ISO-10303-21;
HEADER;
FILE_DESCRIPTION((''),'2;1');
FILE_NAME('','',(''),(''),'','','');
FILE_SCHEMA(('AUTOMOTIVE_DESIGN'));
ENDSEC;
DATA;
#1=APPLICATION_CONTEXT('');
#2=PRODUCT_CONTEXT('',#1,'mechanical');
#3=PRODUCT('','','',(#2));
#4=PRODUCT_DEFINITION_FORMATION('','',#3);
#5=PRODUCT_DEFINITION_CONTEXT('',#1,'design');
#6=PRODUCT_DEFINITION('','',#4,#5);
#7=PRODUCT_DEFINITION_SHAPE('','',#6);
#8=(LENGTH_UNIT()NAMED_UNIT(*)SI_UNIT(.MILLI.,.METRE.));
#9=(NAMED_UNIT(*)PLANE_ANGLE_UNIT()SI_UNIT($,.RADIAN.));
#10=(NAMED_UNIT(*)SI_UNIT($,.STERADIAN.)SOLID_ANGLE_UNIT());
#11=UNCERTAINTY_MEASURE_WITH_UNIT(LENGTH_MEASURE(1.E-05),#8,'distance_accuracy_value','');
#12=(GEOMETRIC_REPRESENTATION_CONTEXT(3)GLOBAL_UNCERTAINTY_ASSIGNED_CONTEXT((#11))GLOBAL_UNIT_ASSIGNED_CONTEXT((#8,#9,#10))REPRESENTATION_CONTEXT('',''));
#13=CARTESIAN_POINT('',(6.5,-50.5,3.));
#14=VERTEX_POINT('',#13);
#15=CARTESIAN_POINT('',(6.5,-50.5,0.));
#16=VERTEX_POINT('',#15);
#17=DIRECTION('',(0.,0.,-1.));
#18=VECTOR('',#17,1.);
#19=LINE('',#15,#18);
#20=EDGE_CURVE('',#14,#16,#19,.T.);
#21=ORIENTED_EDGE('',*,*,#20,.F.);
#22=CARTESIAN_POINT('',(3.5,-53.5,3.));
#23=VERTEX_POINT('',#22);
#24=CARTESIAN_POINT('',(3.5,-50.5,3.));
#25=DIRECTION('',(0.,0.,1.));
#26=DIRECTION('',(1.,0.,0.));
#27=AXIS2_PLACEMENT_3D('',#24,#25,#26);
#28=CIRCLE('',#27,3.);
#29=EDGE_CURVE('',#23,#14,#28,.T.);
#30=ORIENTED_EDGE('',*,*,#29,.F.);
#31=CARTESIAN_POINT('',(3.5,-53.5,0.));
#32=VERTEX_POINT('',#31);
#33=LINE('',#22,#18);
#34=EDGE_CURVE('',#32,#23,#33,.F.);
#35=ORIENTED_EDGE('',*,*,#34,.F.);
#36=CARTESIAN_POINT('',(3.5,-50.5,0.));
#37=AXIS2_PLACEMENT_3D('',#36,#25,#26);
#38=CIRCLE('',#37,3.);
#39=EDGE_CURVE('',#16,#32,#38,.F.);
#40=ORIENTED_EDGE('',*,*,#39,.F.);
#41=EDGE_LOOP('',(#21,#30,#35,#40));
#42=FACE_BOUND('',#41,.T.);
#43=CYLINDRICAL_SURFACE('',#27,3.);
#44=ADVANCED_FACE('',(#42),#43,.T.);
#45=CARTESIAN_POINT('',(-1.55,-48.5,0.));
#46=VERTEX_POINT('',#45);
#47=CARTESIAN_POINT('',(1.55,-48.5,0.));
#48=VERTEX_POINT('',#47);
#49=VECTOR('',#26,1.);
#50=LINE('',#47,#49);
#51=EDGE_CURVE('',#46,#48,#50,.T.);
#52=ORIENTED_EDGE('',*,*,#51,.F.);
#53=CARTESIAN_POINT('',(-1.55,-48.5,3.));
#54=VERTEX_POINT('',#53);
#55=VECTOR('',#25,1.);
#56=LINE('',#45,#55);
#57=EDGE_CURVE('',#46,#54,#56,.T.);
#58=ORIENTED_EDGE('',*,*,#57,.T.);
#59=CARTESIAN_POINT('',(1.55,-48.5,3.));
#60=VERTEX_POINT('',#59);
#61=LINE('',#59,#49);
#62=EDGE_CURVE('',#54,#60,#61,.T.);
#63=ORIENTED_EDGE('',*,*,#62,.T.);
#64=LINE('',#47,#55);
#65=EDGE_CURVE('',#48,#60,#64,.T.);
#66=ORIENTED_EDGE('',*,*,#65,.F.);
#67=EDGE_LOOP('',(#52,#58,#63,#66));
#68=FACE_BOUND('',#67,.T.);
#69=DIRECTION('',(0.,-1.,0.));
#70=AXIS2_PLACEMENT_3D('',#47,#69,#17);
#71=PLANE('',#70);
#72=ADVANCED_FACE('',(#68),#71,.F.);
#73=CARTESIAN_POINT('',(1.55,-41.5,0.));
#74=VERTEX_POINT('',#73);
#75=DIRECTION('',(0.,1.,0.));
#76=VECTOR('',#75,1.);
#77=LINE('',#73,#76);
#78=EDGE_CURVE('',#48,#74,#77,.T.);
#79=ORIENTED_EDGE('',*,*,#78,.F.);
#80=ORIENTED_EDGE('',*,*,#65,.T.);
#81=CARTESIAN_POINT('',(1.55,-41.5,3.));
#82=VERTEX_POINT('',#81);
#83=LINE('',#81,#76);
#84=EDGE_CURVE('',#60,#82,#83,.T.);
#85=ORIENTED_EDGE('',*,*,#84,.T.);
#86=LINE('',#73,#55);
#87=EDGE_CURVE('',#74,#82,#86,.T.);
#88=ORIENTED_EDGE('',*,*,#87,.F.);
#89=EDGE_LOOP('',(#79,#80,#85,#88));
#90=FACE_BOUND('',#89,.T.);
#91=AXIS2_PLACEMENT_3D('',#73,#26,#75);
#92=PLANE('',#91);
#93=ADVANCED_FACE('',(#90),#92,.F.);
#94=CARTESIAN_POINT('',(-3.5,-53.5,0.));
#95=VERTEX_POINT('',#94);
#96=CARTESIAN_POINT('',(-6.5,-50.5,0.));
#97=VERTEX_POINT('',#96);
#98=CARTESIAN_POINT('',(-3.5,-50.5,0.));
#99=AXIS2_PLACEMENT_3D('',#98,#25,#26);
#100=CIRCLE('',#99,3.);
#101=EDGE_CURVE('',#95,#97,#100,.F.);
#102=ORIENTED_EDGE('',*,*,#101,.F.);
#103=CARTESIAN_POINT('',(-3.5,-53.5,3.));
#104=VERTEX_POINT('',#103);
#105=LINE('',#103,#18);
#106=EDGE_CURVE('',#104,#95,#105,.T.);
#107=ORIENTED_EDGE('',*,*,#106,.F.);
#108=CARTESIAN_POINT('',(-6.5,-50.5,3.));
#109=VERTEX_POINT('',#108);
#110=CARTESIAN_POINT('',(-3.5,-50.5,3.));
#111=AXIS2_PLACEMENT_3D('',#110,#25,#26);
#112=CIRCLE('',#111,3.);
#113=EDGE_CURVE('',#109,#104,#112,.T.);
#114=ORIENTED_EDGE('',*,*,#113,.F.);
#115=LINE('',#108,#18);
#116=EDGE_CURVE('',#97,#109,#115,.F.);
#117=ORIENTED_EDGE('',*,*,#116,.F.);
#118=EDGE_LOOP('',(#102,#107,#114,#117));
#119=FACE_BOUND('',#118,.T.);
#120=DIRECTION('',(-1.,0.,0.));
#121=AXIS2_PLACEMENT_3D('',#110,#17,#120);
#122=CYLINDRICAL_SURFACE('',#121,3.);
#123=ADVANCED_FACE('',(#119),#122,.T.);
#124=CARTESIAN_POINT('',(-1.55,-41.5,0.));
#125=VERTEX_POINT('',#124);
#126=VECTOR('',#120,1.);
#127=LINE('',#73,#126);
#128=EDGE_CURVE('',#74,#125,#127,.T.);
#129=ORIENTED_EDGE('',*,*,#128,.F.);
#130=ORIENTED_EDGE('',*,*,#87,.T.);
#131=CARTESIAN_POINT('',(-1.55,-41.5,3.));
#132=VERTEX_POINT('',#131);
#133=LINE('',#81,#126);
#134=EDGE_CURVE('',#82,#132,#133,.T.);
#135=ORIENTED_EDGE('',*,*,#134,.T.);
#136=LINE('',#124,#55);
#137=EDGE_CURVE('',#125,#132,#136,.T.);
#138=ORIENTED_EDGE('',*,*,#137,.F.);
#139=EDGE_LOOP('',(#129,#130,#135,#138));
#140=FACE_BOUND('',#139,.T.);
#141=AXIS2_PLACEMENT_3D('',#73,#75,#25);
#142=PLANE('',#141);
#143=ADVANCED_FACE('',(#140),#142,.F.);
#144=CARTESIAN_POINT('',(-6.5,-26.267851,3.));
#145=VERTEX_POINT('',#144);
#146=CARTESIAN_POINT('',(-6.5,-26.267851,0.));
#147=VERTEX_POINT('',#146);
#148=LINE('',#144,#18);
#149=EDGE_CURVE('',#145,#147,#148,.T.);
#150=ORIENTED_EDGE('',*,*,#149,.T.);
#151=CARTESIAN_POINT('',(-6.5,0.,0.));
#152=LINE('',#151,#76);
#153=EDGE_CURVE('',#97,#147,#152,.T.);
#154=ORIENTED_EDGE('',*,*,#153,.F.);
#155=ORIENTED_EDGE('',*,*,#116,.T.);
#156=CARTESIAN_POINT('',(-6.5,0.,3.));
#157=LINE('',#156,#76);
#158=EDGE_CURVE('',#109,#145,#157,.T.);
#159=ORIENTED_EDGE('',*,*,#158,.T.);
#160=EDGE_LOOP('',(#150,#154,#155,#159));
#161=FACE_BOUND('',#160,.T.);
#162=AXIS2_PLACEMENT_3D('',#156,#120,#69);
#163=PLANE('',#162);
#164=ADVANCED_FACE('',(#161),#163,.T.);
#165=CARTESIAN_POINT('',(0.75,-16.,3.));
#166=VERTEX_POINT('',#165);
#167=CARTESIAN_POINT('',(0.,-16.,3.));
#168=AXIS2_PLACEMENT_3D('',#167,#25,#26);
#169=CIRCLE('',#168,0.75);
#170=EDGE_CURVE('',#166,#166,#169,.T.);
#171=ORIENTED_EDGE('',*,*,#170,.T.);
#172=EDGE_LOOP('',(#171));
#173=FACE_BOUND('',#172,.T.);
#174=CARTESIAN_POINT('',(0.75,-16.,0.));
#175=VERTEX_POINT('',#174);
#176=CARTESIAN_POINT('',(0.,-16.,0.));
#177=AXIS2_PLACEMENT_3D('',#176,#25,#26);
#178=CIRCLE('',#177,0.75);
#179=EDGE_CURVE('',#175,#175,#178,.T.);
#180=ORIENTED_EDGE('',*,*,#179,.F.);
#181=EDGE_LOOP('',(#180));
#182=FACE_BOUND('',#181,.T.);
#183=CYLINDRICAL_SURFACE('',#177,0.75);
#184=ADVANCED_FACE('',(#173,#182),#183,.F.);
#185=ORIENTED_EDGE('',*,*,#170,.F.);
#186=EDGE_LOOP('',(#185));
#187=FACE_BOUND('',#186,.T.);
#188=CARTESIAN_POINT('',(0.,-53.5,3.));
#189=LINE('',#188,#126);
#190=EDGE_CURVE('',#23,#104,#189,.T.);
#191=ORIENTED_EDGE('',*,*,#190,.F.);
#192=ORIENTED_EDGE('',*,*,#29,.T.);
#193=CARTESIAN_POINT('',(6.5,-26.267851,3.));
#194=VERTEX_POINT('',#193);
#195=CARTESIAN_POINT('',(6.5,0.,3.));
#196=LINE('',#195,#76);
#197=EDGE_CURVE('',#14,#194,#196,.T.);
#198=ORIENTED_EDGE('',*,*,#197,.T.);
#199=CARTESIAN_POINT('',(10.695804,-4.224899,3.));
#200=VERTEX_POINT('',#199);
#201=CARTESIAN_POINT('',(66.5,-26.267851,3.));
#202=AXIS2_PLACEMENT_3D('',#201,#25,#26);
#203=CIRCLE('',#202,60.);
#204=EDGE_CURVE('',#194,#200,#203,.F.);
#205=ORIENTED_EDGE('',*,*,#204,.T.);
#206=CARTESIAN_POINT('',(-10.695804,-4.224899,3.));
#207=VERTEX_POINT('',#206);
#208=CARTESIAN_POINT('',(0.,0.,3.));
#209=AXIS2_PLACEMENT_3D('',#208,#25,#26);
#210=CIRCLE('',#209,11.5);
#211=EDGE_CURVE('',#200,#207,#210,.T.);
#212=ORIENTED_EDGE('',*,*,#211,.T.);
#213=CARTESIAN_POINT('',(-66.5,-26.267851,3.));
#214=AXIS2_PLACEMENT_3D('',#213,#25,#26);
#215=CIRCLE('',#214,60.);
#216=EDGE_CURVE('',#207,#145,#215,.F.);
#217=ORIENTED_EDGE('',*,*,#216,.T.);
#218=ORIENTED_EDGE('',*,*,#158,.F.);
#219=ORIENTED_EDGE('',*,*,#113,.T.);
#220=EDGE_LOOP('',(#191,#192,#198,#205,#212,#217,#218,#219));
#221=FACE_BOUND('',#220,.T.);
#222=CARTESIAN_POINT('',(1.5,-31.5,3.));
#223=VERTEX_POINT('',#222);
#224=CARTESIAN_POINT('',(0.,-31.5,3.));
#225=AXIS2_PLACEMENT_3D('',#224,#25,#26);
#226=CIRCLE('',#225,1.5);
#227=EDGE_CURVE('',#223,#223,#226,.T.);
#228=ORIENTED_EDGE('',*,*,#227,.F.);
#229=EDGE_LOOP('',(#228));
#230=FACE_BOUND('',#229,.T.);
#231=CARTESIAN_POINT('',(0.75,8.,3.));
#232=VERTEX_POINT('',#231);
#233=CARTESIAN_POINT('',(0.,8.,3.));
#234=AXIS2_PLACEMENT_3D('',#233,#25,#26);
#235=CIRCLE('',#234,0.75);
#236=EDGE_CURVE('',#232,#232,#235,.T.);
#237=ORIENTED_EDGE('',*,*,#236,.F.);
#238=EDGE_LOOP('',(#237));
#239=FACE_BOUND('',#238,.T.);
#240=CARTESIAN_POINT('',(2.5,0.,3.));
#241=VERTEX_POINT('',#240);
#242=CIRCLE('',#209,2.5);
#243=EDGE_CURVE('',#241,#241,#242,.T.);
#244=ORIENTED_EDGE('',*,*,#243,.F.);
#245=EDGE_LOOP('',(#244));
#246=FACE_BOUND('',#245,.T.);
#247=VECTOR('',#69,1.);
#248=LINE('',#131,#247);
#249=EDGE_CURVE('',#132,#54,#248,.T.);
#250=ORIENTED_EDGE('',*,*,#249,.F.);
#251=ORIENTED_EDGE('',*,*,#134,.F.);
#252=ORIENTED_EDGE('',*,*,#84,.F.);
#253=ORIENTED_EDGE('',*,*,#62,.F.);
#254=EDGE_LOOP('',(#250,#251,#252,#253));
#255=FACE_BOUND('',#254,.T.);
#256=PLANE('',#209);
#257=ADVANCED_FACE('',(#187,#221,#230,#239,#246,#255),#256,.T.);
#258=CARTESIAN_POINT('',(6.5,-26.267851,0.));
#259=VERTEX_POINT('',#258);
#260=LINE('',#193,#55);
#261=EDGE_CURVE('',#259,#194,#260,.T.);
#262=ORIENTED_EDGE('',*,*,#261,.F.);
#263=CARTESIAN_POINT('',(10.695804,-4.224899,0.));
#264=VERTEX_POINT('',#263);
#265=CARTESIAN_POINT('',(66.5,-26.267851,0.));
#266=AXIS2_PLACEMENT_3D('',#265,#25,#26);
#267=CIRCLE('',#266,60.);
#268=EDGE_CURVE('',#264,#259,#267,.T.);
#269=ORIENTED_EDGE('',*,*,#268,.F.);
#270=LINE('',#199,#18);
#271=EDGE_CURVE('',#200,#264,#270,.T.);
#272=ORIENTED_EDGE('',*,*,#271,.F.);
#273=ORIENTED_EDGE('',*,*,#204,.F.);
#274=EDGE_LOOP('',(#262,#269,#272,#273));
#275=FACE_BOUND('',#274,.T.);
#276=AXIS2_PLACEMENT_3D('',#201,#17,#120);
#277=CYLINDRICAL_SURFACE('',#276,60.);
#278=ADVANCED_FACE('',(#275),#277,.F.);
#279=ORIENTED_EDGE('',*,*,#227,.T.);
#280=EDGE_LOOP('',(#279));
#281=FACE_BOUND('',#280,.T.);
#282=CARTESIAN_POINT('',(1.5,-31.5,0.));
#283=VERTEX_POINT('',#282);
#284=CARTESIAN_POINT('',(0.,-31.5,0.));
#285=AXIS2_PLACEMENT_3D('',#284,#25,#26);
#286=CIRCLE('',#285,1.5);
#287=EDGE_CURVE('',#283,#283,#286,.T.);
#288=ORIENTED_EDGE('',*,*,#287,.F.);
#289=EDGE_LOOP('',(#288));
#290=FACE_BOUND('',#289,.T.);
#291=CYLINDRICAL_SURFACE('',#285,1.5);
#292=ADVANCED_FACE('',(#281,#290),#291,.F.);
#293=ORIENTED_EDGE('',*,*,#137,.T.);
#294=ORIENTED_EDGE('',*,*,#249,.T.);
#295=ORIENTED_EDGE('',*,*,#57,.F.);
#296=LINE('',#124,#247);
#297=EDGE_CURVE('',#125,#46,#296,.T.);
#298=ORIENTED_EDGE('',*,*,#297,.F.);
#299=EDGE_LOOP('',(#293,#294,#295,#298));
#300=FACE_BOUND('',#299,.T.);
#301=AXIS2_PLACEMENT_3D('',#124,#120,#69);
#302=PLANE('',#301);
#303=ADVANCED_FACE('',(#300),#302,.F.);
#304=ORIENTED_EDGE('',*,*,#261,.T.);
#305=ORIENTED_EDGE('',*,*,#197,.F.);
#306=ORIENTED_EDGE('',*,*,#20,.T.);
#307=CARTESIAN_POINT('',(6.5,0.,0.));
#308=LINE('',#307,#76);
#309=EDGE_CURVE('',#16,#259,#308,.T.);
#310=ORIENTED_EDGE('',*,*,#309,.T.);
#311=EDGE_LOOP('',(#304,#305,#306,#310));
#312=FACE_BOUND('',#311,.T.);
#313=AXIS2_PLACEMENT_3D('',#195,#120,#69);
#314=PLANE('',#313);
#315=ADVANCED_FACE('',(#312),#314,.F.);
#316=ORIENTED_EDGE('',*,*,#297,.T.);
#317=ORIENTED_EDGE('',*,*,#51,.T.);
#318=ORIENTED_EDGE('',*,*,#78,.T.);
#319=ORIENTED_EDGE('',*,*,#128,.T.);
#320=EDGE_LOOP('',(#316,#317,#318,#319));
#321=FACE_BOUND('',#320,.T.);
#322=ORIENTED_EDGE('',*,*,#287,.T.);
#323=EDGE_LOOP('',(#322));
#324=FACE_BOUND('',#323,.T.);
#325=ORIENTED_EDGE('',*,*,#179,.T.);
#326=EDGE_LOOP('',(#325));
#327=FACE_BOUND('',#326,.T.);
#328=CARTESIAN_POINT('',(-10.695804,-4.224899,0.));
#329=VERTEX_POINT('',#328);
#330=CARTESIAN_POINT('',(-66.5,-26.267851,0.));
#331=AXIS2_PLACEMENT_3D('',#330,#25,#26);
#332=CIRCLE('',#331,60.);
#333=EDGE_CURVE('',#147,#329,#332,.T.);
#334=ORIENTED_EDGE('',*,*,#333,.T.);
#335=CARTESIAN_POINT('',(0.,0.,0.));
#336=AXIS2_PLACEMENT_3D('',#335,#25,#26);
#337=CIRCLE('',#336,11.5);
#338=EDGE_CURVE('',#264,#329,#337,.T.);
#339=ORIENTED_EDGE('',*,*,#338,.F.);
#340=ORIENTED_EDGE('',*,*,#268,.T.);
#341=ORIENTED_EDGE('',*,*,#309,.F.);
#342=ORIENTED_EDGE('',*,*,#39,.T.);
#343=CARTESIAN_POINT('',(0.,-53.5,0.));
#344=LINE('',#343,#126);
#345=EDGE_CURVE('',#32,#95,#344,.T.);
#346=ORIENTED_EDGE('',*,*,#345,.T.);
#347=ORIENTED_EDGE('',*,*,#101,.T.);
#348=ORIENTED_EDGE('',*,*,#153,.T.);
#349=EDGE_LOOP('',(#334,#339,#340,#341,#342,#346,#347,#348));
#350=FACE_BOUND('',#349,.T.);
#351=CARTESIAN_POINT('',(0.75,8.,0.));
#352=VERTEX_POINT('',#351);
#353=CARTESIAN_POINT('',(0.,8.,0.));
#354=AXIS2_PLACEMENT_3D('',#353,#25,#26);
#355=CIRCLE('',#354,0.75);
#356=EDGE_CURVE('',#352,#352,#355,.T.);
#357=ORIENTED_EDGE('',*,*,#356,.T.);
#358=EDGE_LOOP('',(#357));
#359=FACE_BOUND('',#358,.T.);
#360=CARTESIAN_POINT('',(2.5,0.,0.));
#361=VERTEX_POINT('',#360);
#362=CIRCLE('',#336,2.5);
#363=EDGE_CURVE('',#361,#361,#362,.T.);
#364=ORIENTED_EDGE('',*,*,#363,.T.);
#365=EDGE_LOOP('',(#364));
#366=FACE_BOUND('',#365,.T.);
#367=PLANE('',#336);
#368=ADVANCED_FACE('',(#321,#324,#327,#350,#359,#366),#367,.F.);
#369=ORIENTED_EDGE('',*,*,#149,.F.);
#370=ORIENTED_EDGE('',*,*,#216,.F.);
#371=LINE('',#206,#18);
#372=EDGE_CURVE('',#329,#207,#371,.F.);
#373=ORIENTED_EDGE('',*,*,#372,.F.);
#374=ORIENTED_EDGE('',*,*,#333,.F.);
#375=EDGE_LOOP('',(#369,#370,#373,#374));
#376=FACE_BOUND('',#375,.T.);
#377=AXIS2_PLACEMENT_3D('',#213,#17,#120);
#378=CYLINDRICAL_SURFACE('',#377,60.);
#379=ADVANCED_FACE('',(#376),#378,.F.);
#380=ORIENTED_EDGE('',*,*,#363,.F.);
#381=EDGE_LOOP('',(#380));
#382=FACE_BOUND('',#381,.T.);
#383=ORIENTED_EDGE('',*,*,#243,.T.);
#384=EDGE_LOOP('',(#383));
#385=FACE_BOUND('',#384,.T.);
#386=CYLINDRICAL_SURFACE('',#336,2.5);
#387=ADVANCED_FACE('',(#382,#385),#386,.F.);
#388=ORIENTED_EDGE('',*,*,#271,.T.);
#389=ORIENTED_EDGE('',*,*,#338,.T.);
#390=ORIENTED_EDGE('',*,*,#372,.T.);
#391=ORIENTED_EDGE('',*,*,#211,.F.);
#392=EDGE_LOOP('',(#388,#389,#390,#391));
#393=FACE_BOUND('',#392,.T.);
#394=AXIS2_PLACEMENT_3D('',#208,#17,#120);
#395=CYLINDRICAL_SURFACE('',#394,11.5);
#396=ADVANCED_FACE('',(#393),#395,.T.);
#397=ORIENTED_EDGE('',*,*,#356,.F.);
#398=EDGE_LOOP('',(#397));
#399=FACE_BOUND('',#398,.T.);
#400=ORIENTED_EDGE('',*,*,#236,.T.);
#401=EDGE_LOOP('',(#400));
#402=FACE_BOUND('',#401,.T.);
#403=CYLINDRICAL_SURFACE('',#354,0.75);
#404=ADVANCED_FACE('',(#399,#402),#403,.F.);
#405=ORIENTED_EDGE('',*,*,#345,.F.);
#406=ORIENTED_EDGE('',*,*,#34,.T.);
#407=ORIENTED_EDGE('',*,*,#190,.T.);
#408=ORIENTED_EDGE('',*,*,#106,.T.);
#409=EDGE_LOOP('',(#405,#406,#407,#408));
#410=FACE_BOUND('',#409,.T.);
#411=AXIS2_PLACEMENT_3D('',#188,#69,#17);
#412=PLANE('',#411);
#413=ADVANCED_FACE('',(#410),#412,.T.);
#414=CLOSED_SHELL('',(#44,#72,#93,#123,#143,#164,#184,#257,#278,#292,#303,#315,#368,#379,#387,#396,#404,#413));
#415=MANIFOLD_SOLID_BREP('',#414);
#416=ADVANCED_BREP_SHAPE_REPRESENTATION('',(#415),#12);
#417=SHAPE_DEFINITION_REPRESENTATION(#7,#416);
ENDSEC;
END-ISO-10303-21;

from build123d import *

# Parameters (mm, degrees)
SALIENTE_EXTRUIR1_DEPTH = 3
CROQUIS2_R              = 2.5
CROQUIS2_R_2            = 1.5
CROQUIS2_W              = 3.1
CROQUIS2_H              = 7
CORTAR_EXTRUIR1_DEPTH   = 3
REDONDEO1_R             = 60
REDONDEO2_R             = 3
CROQUIS3_R              = 0.75
CORTAR_EXTRUIR2_DEPTH   = 3


with BuildPart() as part:
    # Croquis1 → Saliente-Extruir1 (new body)
    with BuildSketch(Plane.XY):
        with BuildLine():
            Line((-6.5, -53.5), (6.5, -53.5))
            Line((6.5, -53.5), (6.5, -9.486832981))
            ThreePointArc((6.5, -9.486832981), (0, -11.5), (-6.5, -9.486832981))
            Line((-6.5, -9.486832981), (-6.5, -53.5))
        make_face()
        with BuildLine():
            ThreePointArc((-6.5, -9.486832981), (0, -11.5), (6.5, -9.486832981))
            Line((6.5, -9.486832981), (6.5, 0))
            Line((6.5, 0), (-6.5, 0))
            Line((-6.5, 0), (-6.5, -9.486832981))
        make_face()
        with BuildLine():
            Line((6.5, 0), (6.5, -9.486832981))
            ThreePointArc((6.5, -9.486832981), (10.173494975, -5.361902647), (11.5, 0))
            ThreePointArc((11.5, 0), (-5.361902647, 10.173494975), (-6.5, -9.486832981))
            Line((-6.5, -9.486832981), (-6.5, 0))
            Line((-6.5, 0), (6.5, 0))
        make_face()
    extrude(amount=SALIENTE_EXTRUIR1_DEPTH)

    # Croquis2 → Cortar-Extruir1 (cut)
    with BuildSketch(Plane.XY.offset(3)):
        Circle(CROQUIS2_R)
        with Locations((0, -31.5)):
            Circle(CROQUIS2_R_2)
        with Locations((0, -45)):
            Rectangle(CROQUIS2_W, CROQUIS2_H)
    extrude(amount=-CORTAR_EXTRUIR1_DEPTH, mode=Mode.SUBTRACT)

    # Redondeo1
    redondeo1_edges = [part.edges().sort_by_distance(p)[0] for p in [
        (-6.5, -9.486832981, 1.5),
        (6.5, -9.486832981, 1.5),
    ]]
    fillet(redondeo1_edges, radius=REDONDEO1_R)

    # Redondeo2
    redondeo2_edges = [part.edges().sort_by_distance(p)[0] for p in [
        (6.5, -53.5, 1.5),
        (-6.5, -53.5, 1.5),
    ]]
    fillet(redondeo2_edges, radius=REDONDEO2_R)

    # Croquis3 → Cortar-Extruir2 (cut)
    with BuildSketch(Plane.XY.offset(3)):
        with Locations((0, 8)):
            Circle(CROQUIS3_R)
        with Locations((0, -16)):
            Circle(CROQUIS3_R)
    extrude(amount=-CORTAR_EXTRUIR2_DEPTH, mode=Mode.SUBTRACT)


solid = part.part
